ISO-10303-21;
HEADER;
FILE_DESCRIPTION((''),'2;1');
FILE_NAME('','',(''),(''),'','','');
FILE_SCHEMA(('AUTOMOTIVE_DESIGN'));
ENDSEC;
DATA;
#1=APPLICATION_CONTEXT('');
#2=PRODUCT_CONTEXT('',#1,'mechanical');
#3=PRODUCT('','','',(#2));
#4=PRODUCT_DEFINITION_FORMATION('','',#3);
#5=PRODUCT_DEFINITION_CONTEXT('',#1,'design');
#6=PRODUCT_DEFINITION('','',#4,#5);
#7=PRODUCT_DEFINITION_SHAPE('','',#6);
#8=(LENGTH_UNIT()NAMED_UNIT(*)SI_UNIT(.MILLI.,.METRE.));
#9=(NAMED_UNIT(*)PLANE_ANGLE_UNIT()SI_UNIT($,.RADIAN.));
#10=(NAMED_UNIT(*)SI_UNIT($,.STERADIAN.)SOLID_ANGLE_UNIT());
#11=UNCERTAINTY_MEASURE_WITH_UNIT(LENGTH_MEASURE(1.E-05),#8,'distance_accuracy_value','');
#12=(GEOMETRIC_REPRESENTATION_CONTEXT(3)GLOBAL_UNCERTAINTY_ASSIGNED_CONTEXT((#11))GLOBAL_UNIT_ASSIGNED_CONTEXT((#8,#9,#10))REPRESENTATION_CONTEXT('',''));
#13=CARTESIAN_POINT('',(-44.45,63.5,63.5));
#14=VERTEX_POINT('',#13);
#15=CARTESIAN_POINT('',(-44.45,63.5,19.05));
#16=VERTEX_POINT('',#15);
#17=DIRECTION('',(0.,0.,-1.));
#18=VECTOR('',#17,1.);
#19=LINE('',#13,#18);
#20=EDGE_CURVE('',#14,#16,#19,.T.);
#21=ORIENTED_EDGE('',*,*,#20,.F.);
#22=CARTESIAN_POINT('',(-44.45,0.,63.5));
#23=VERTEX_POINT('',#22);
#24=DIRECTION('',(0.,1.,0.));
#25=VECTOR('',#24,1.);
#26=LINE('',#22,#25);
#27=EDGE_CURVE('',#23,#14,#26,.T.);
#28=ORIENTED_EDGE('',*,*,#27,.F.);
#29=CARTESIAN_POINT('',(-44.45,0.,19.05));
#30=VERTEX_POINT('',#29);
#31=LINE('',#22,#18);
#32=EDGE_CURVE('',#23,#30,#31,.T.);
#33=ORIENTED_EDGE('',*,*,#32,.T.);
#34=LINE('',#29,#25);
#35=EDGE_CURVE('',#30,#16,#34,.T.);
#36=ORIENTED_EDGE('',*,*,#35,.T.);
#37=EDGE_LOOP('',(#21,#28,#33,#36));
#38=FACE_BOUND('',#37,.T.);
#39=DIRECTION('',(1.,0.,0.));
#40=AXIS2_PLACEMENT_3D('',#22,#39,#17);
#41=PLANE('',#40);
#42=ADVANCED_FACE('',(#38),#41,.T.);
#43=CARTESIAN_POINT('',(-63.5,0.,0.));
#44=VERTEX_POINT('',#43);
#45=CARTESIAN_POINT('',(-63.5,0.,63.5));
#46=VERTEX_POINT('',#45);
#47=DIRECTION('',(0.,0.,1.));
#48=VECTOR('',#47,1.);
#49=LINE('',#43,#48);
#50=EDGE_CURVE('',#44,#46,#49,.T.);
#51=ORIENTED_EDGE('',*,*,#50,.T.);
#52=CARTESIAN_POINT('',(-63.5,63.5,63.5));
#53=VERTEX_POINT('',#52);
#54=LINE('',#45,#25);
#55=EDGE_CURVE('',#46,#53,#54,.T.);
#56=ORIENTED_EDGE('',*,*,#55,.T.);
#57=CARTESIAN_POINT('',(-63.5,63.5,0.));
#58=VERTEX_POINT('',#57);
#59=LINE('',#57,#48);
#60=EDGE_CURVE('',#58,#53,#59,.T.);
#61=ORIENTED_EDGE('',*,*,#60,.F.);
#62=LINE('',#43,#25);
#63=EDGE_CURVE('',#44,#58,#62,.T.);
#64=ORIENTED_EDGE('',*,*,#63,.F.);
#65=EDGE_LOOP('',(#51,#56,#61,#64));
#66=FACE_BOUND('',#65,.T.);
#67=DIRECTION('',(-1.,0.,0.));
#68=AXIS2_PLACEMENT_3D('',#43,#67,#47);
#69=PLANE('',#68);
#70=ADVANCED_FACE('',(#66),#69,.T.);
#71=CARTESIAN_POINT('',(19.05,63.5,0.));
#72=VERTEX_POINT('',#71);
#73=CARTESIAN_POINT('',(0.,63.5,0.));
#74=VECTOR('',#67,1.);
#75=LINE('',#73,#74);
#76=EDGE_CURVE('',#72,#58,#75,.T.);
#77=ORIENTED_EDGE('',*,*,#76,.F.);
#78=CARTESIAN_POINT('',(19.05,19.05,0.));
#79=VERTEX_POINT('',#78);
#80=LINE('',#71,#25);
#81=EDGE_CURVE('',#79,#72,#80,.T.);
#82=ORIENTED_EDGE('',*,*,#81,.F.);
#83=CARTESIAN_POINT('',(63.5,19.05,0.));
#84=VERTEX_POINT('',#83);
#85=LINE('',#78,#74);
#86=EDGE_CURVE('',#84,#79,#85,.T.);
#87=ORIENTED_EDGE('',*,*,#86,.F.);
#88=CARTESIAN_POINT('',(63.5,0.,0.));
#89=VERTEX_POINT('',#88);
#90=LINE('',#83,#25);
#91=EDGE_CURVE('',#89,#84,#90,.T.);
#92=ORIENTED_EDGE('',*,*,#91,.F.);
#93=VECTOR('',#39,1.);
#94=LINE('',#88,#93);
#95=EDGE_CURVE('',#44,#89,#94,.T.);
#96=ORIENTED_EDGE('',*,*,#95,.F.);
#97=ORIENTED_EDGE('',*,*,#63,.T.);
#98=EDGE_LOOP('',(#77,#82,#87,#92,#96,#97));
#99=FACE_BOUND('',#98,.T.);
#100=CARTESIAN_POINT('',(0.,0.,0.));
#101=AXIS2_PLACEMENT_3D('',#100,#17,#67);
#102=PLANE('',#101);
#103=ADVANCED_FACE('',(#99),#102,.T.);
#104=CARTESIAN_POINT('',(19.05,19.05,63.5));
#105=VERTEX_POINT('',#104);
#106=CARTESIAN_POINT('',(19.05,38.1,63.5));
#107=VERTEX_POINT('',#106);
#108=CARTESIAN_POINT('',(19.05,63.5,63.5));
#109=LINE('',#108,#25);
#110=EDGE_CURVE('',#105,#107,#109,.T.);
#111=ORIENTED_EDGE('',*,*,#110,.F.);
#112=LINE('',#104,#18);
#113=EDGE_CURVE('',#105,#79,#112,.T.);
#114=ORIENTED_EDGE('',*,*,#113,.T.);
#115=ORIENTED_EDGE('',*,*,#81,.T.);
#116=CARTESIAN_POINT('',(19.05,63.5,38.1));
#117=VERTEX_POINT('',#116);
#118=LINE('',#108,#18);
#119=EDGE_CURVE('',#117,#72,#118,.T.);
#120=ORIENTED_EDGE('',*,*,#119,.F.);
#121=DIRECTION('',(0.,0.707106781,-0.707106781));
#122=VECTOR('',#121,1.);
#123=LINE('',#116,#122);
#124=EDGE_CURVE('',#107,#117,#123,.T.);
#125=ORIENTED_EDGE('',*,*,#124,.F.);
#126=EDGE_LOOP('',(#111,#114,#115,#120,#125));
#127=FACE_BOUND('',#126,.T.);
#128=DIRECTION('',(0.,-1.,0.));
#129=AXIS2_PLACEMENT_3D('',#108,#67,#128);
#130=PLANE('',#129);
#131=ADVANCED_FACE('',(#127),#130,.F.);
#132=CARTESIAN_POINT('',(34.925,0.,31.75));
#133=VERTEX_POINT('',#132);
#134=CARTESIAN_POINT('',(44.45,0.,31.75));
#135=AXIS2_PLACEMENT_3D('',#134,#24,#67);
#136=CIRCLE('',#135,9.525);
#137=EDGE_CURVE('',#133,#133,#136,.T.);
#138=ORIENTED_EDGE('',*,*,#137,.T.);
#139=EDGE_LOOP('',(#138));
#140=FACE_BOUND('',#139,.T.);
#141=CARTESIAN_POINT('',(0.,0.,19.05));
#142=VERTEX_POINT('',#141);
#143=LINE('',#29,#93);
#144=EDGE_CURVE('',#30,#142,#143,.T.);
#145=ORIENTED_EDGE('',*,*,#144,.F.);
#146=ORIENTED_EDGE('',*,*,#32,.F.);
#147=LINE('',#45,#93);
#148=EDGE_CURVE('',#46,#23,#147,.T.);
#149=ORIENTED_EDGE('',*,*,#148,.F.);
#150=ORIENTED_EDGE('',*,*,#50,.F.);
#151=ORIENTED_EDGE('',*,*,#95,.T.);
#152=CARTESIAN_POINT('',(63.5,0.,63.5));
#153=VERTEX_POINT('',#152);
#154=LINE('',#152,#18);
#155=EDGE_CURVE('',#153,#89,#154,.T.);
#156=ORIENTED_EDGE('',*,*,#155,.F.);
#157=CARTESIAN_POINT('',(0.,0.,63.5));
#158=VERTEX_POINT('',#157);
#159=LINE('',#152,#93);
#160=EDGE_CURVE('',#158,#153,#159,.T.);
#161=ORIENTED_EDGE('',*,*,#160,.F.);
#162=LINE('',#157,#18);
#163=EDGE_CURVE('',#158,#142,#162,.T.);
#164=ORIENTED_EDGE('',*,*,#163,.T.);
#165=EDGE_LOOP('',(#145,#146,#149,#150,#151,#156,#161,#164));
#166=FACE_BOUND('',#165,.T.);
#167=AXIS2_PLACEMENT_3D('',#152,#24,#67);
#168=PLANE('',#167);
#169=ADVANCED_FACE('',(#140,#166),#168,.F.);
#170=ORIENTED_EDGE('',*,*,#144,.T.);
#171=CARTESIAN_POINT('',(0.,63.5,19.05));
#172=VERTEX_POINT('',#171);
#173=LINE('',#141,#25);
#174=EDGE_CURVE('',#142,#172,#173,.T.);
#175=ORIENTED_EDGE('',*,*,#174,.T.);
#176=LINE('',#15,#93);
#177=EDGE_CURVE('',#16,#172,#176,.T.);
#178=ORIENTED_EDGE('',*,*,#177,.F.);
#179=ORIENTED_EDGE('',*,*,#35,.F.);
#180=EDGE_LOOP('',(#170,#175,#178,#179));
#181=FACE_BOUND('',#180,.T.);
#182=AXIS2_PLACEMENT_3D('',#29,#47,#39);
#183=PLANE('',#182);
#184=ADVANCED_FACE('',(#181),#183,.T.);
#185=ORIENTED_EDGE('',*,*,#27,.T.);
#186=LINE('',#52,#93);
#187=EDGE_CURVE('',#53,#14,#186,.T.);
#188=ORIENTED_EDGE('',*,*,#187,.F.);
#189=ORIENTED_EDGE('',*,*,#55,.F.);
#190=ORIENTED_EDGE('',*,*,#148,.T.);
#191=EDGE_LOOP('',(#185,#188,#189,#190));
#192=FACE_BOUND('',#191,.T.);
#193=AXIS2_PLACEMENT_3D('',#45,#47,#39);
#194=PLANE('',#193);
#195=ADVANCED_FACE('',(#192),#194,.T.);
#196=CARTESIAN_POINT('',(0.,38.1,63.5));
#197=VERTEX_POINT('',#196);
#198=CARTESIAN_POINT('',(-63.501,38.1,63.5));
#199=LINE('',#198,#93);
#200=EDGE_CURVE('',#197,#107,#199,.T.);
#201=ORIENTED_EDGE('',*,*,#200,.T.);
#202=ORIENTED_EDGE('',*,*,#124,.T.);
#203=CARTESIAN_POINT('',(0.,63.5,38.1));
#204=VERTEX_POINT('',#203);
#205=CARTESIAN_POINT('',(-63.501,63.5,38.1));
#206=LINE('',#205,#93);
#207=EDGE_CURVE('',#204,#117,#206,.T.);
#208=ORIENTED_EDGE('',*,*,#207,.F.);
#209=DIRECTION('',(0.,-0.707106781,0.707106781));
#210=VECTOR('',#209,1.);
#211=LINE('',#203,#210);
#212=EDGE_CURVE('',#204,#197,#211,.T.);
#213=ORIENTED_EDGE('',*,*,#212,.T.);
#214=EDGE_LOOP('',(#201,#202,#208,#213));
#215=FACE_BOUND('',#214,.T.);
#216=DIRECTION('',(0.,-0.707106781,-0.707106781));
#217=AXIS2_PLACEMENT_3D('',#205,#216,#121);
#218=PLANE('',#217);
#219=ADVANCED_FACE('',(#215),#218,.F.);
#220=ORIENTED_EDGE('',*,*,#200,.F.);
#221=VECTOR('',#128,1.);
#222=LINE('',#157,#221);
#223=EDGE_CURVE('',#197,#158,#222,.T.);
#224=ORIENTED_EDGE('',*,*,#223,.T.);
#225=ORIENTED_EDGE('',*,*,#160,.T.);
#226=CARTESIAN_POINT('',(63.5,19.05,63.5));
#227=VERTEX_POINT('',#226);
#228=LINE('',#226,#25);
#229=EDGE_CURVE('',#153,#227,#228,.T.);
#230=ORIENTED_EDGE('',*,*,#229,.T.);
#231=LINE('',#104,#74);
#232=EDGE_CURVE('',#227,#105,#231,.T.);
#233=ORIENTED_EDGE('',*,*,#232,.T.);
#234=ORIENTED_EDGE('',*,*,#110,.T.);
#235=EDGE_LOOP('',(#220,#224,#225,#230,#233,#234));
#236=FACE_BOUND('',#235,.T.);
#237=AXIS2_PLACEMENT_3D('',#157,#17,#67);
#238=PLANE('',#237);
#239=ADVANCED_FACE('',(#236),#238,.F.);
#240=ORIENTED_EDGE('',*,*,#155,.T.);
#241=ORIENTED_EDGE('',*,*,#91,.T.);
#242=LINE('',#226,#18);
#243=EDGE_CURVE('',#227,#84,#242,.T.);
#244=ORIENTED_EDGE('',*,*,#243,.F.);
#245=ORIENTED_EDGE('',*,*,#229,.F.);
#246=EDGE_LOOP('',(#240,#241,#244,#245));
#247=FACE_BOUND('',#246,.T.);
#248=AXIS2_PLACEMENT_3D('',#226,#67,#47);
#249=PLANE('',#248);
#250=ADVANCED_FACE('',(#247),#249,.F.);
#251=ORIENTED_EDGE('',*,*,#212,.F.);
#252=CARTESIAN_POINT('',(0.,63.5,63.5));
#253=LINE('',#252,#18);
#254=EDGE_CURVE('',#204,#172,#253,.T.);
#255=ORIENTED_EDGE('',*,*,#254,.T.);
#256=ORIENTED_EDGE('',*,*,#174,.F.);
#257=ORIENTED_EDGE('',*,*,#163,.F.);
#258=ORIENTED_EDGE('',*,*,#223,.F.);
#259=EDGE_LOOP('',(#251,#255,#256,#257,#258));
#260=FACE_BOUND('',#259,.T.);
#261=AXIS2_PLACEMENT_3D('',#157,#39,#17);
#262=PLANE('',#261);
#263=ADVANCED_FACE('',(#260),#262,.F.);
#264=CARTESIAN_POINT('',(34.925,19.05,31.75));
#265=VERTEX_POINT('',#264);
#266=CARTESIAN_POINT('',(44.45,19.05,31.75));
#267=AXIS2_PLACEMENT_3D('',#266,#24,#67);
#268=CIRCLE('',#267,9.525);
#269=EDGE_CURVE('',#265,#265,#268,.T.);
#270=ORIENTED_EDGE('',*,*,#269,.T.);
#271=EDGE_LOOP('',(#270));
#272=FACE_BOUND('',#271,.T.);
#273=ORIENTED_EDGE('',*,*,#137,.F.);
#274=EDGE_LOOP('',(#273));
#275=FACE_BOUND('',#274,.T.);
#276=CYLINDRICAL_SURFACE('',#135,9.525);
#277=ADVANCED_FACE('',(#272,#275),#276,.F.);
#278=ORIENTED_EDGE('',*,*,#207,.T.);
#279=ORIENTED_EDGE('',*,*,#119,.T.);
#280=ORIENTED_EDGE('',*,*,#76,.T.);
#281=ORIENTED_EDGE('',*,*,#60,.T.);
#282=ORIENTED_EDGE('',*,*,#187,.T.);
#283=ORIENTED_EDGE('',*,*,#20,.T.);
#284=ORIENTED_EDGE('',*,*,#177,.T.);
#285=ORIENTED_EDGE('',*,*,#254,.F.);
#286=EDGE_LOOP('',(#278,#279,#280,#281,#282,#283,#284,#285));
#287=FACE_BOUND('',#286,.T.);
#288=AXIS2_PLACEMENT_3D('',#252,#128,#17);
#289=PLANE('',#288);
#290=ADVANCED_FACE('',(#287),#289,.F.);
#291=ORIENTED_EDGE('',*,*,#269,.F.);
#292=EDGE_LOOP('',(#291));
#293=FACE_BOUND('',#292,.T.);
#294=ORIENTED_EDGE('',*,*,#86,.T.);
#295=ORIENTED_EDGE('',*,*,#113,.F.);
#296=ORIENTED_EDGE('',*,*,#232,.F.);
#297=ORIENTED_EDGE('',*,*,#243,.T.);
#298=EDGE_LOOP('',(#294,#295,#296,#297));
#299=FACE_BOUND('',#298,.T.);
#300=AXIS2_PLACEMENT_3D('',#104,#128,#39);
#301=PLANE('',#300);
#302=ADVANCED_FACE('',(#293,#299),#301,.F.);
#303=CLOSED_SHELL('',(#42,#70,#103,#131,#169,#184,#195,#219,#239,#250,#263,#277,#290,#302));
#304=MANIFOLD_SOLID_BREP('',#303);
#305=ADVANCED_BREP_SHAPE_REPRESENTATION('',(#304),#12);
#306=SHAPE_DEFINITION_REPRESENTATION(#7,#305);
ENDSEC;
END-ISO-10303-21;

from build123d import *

# Parameters (mm, degrees)
BOSS_EXTRUDE1_DEPTH = 63.5
BOSS_EXTRUDE2_DEPTH = 63.5
SKETCH3_R           = 9.525
CUT_EXTRUDE1_DEPTH  = 101.201309872
CUT_EXTRUDE2_REACH  = 123.98


with BuildPart() as part:
    # Sketch1 → Boss-Extrude1 (new body)
    with BuildSketch(Plane.XY):
        Polygon((0, 63.5), (19.05, 63.5), (19.05, 19.05), (63.5, 19.05), (63.5, 0), (0, 0), align=None)
    extrude(amount=BOSS_EXTRUDE1_DEPTH)

    # Sketch2 → Boss-Extrude2 (add)
    with BuildSketch(Plane(origin=(0, 63.5, 0), x_dir=(1, 0, 0), z_dir=(0, 1, 0))):
        Polygon((0, 0), (-63.5, 0), (-63.5, -63.5), (-44.45, -63.5), (-44.45, -19.05), (0, -19.05), align=None)
    extrude(amount=-BOSS_EXTRUDE2_DEPTH)

    # Sketch3 → Cut-Extrude1 (cut, through all)
    with BuildSketch(Plane(origin=(0, 19.05, 0), x_dir=(1, 0, 0), z_dir=(0, 1, 0))):
        with Locations(Location((44.45, -31.75, 0), (0, 0, 180))):
            Circle(SKETCH3_R)
    extrude(amount=-CUT_EXTRUDE1_DEPTH, mode=Mode.SUBTRACT)

    # Sketch4 → Cut-Extrude2 (cut, up to next)
    with BuildSketch(Plane(origin=(19.05, 0, 0), x_dir=(0, 0, -1), z_dir=(1, 0, 0)), mode=Mode.PRIVATE) as cut_extrude2_sk1:
        Polygon((-63.5, 63.5), (-38.1, 63.5), (-63.5, 38.1), align=None)
    cut_extrude2_tool1 = extrude(cut_extrude2_sk1.sketch, amount=-CUT_EXTRUDE2_REACH, mode=Mode.PRIVATE) & part.part
    add(cut_extrude2_tool1.solids().sort_by_distance((19.05, 55.033333, 55.033333))[0], mode=Mode.SUBTRACT)


solid = part.part
